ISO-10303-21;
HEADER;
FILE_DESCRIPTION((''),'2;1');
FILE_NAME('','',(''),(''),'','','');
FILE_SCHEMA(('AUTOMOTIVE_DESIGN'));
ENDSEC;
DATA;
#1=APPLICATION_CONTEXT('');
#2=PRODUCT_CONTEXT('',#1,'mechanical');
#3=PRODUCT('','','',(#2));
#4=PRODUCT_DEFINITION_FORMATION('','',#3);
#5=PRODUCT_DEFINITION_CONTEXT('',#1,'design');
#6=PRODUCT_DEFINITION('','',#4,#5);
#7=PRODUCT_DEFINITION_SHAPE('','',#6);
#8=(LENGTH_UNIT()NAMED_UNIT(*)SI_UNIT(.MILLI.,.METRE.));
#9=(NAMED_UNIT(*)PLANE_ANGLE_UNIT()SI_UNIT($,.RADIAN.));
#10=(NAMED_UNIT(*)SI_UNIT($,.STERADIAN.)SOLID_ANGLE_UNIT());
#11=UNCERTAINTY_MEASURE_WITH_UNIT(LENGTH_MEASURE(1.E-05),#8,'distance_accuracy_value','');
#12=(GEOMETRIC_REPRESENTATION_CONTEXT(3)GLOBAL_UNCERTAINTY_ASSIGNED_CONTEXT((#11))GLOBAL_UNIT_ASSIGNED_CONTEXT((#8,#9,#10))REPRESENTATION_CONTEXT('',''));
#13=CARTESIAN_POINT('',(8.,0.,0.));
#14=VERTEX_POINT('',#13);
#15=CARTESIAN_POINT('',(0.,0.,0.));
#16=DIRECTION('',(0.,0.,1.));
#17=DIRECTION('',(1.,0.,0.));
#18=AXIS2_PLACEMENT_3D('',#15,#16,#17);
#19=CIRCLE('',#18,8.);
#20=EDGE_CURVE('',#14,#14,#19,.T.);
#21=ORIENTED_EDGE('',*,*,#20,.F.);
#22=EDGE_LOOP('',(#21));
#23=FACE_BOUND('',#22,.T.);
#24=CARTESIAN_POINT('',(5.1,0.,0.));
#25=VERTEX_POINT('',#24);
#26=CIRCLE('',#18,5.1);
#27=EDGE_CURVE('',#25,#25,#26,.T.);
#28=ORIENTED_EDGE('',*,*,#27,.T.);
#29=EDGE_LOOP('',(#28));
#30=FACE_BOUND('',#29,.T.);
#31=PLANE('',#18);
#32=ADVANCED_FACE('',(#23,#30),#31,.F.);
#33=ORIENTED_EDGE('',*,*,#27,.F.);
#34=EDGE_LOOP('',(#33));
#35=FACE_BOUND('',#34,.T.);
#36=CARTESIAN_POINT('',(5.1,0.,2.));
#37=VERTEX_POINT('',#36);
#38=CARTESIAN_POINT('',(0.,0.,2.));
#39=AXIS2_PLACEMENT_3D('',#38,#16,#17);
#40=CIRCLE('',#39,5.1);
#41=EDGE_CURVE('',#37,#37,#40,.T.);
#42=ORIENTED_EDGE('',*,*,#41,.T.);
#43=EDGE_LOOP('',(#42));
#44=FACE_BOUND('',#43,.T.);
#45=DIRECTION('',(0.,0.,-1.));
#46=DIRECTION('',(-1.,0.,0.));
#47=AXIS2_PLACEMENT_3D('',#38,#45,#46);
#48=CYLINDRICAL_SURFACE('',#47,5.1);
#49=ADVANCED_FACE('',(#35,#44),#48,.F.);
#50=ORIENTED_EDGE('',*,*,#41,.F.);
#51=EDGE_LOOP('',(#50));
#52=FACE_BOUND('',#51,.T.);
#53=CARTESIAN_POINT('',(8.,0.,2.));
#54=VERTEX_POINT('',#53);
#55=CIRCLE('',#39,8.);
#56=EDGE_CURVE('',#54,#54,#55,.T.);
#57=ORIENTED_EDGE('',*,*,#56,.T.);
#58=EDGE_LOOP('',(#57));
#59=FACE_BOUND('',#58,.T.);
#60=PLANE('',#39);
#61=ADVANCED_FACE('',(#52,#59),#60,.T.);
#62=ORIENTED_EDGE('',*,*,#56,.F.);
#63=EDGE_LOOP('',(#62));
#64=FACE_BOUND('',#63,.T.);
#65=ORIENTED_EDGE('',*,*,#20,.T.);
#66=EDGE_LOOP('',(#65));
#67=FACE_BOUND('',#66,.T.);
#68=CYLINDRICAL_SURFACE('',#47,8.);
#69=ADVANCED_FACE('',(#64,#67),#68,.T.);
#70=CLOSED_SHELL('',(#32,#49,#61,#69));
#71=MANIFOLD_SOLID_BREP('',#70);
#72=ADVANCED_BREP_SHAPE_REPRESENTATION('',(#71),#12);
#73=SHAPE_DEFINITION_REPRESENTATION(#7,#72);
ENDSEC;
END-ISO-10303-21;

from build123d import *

# Parameters (mm, degrees)
ESQUISSE1_R          = 8
ESQUISSE1_R_2        = 5.1
BASE_EXTRUSION_DEPTH = 2


with BuildPart() as part:
    # Esquisse1 → Base-Extrusion (new body)
    with BuildSketch(Plane.XY):
        Circle(ESQUISSE1_R)
        Circle(ESQUISSE1_R_2, mode=Mode.SUBTRACT)
    extrude(amount=BASE_EXTRUSION_DEPTH)


solid = part.part
